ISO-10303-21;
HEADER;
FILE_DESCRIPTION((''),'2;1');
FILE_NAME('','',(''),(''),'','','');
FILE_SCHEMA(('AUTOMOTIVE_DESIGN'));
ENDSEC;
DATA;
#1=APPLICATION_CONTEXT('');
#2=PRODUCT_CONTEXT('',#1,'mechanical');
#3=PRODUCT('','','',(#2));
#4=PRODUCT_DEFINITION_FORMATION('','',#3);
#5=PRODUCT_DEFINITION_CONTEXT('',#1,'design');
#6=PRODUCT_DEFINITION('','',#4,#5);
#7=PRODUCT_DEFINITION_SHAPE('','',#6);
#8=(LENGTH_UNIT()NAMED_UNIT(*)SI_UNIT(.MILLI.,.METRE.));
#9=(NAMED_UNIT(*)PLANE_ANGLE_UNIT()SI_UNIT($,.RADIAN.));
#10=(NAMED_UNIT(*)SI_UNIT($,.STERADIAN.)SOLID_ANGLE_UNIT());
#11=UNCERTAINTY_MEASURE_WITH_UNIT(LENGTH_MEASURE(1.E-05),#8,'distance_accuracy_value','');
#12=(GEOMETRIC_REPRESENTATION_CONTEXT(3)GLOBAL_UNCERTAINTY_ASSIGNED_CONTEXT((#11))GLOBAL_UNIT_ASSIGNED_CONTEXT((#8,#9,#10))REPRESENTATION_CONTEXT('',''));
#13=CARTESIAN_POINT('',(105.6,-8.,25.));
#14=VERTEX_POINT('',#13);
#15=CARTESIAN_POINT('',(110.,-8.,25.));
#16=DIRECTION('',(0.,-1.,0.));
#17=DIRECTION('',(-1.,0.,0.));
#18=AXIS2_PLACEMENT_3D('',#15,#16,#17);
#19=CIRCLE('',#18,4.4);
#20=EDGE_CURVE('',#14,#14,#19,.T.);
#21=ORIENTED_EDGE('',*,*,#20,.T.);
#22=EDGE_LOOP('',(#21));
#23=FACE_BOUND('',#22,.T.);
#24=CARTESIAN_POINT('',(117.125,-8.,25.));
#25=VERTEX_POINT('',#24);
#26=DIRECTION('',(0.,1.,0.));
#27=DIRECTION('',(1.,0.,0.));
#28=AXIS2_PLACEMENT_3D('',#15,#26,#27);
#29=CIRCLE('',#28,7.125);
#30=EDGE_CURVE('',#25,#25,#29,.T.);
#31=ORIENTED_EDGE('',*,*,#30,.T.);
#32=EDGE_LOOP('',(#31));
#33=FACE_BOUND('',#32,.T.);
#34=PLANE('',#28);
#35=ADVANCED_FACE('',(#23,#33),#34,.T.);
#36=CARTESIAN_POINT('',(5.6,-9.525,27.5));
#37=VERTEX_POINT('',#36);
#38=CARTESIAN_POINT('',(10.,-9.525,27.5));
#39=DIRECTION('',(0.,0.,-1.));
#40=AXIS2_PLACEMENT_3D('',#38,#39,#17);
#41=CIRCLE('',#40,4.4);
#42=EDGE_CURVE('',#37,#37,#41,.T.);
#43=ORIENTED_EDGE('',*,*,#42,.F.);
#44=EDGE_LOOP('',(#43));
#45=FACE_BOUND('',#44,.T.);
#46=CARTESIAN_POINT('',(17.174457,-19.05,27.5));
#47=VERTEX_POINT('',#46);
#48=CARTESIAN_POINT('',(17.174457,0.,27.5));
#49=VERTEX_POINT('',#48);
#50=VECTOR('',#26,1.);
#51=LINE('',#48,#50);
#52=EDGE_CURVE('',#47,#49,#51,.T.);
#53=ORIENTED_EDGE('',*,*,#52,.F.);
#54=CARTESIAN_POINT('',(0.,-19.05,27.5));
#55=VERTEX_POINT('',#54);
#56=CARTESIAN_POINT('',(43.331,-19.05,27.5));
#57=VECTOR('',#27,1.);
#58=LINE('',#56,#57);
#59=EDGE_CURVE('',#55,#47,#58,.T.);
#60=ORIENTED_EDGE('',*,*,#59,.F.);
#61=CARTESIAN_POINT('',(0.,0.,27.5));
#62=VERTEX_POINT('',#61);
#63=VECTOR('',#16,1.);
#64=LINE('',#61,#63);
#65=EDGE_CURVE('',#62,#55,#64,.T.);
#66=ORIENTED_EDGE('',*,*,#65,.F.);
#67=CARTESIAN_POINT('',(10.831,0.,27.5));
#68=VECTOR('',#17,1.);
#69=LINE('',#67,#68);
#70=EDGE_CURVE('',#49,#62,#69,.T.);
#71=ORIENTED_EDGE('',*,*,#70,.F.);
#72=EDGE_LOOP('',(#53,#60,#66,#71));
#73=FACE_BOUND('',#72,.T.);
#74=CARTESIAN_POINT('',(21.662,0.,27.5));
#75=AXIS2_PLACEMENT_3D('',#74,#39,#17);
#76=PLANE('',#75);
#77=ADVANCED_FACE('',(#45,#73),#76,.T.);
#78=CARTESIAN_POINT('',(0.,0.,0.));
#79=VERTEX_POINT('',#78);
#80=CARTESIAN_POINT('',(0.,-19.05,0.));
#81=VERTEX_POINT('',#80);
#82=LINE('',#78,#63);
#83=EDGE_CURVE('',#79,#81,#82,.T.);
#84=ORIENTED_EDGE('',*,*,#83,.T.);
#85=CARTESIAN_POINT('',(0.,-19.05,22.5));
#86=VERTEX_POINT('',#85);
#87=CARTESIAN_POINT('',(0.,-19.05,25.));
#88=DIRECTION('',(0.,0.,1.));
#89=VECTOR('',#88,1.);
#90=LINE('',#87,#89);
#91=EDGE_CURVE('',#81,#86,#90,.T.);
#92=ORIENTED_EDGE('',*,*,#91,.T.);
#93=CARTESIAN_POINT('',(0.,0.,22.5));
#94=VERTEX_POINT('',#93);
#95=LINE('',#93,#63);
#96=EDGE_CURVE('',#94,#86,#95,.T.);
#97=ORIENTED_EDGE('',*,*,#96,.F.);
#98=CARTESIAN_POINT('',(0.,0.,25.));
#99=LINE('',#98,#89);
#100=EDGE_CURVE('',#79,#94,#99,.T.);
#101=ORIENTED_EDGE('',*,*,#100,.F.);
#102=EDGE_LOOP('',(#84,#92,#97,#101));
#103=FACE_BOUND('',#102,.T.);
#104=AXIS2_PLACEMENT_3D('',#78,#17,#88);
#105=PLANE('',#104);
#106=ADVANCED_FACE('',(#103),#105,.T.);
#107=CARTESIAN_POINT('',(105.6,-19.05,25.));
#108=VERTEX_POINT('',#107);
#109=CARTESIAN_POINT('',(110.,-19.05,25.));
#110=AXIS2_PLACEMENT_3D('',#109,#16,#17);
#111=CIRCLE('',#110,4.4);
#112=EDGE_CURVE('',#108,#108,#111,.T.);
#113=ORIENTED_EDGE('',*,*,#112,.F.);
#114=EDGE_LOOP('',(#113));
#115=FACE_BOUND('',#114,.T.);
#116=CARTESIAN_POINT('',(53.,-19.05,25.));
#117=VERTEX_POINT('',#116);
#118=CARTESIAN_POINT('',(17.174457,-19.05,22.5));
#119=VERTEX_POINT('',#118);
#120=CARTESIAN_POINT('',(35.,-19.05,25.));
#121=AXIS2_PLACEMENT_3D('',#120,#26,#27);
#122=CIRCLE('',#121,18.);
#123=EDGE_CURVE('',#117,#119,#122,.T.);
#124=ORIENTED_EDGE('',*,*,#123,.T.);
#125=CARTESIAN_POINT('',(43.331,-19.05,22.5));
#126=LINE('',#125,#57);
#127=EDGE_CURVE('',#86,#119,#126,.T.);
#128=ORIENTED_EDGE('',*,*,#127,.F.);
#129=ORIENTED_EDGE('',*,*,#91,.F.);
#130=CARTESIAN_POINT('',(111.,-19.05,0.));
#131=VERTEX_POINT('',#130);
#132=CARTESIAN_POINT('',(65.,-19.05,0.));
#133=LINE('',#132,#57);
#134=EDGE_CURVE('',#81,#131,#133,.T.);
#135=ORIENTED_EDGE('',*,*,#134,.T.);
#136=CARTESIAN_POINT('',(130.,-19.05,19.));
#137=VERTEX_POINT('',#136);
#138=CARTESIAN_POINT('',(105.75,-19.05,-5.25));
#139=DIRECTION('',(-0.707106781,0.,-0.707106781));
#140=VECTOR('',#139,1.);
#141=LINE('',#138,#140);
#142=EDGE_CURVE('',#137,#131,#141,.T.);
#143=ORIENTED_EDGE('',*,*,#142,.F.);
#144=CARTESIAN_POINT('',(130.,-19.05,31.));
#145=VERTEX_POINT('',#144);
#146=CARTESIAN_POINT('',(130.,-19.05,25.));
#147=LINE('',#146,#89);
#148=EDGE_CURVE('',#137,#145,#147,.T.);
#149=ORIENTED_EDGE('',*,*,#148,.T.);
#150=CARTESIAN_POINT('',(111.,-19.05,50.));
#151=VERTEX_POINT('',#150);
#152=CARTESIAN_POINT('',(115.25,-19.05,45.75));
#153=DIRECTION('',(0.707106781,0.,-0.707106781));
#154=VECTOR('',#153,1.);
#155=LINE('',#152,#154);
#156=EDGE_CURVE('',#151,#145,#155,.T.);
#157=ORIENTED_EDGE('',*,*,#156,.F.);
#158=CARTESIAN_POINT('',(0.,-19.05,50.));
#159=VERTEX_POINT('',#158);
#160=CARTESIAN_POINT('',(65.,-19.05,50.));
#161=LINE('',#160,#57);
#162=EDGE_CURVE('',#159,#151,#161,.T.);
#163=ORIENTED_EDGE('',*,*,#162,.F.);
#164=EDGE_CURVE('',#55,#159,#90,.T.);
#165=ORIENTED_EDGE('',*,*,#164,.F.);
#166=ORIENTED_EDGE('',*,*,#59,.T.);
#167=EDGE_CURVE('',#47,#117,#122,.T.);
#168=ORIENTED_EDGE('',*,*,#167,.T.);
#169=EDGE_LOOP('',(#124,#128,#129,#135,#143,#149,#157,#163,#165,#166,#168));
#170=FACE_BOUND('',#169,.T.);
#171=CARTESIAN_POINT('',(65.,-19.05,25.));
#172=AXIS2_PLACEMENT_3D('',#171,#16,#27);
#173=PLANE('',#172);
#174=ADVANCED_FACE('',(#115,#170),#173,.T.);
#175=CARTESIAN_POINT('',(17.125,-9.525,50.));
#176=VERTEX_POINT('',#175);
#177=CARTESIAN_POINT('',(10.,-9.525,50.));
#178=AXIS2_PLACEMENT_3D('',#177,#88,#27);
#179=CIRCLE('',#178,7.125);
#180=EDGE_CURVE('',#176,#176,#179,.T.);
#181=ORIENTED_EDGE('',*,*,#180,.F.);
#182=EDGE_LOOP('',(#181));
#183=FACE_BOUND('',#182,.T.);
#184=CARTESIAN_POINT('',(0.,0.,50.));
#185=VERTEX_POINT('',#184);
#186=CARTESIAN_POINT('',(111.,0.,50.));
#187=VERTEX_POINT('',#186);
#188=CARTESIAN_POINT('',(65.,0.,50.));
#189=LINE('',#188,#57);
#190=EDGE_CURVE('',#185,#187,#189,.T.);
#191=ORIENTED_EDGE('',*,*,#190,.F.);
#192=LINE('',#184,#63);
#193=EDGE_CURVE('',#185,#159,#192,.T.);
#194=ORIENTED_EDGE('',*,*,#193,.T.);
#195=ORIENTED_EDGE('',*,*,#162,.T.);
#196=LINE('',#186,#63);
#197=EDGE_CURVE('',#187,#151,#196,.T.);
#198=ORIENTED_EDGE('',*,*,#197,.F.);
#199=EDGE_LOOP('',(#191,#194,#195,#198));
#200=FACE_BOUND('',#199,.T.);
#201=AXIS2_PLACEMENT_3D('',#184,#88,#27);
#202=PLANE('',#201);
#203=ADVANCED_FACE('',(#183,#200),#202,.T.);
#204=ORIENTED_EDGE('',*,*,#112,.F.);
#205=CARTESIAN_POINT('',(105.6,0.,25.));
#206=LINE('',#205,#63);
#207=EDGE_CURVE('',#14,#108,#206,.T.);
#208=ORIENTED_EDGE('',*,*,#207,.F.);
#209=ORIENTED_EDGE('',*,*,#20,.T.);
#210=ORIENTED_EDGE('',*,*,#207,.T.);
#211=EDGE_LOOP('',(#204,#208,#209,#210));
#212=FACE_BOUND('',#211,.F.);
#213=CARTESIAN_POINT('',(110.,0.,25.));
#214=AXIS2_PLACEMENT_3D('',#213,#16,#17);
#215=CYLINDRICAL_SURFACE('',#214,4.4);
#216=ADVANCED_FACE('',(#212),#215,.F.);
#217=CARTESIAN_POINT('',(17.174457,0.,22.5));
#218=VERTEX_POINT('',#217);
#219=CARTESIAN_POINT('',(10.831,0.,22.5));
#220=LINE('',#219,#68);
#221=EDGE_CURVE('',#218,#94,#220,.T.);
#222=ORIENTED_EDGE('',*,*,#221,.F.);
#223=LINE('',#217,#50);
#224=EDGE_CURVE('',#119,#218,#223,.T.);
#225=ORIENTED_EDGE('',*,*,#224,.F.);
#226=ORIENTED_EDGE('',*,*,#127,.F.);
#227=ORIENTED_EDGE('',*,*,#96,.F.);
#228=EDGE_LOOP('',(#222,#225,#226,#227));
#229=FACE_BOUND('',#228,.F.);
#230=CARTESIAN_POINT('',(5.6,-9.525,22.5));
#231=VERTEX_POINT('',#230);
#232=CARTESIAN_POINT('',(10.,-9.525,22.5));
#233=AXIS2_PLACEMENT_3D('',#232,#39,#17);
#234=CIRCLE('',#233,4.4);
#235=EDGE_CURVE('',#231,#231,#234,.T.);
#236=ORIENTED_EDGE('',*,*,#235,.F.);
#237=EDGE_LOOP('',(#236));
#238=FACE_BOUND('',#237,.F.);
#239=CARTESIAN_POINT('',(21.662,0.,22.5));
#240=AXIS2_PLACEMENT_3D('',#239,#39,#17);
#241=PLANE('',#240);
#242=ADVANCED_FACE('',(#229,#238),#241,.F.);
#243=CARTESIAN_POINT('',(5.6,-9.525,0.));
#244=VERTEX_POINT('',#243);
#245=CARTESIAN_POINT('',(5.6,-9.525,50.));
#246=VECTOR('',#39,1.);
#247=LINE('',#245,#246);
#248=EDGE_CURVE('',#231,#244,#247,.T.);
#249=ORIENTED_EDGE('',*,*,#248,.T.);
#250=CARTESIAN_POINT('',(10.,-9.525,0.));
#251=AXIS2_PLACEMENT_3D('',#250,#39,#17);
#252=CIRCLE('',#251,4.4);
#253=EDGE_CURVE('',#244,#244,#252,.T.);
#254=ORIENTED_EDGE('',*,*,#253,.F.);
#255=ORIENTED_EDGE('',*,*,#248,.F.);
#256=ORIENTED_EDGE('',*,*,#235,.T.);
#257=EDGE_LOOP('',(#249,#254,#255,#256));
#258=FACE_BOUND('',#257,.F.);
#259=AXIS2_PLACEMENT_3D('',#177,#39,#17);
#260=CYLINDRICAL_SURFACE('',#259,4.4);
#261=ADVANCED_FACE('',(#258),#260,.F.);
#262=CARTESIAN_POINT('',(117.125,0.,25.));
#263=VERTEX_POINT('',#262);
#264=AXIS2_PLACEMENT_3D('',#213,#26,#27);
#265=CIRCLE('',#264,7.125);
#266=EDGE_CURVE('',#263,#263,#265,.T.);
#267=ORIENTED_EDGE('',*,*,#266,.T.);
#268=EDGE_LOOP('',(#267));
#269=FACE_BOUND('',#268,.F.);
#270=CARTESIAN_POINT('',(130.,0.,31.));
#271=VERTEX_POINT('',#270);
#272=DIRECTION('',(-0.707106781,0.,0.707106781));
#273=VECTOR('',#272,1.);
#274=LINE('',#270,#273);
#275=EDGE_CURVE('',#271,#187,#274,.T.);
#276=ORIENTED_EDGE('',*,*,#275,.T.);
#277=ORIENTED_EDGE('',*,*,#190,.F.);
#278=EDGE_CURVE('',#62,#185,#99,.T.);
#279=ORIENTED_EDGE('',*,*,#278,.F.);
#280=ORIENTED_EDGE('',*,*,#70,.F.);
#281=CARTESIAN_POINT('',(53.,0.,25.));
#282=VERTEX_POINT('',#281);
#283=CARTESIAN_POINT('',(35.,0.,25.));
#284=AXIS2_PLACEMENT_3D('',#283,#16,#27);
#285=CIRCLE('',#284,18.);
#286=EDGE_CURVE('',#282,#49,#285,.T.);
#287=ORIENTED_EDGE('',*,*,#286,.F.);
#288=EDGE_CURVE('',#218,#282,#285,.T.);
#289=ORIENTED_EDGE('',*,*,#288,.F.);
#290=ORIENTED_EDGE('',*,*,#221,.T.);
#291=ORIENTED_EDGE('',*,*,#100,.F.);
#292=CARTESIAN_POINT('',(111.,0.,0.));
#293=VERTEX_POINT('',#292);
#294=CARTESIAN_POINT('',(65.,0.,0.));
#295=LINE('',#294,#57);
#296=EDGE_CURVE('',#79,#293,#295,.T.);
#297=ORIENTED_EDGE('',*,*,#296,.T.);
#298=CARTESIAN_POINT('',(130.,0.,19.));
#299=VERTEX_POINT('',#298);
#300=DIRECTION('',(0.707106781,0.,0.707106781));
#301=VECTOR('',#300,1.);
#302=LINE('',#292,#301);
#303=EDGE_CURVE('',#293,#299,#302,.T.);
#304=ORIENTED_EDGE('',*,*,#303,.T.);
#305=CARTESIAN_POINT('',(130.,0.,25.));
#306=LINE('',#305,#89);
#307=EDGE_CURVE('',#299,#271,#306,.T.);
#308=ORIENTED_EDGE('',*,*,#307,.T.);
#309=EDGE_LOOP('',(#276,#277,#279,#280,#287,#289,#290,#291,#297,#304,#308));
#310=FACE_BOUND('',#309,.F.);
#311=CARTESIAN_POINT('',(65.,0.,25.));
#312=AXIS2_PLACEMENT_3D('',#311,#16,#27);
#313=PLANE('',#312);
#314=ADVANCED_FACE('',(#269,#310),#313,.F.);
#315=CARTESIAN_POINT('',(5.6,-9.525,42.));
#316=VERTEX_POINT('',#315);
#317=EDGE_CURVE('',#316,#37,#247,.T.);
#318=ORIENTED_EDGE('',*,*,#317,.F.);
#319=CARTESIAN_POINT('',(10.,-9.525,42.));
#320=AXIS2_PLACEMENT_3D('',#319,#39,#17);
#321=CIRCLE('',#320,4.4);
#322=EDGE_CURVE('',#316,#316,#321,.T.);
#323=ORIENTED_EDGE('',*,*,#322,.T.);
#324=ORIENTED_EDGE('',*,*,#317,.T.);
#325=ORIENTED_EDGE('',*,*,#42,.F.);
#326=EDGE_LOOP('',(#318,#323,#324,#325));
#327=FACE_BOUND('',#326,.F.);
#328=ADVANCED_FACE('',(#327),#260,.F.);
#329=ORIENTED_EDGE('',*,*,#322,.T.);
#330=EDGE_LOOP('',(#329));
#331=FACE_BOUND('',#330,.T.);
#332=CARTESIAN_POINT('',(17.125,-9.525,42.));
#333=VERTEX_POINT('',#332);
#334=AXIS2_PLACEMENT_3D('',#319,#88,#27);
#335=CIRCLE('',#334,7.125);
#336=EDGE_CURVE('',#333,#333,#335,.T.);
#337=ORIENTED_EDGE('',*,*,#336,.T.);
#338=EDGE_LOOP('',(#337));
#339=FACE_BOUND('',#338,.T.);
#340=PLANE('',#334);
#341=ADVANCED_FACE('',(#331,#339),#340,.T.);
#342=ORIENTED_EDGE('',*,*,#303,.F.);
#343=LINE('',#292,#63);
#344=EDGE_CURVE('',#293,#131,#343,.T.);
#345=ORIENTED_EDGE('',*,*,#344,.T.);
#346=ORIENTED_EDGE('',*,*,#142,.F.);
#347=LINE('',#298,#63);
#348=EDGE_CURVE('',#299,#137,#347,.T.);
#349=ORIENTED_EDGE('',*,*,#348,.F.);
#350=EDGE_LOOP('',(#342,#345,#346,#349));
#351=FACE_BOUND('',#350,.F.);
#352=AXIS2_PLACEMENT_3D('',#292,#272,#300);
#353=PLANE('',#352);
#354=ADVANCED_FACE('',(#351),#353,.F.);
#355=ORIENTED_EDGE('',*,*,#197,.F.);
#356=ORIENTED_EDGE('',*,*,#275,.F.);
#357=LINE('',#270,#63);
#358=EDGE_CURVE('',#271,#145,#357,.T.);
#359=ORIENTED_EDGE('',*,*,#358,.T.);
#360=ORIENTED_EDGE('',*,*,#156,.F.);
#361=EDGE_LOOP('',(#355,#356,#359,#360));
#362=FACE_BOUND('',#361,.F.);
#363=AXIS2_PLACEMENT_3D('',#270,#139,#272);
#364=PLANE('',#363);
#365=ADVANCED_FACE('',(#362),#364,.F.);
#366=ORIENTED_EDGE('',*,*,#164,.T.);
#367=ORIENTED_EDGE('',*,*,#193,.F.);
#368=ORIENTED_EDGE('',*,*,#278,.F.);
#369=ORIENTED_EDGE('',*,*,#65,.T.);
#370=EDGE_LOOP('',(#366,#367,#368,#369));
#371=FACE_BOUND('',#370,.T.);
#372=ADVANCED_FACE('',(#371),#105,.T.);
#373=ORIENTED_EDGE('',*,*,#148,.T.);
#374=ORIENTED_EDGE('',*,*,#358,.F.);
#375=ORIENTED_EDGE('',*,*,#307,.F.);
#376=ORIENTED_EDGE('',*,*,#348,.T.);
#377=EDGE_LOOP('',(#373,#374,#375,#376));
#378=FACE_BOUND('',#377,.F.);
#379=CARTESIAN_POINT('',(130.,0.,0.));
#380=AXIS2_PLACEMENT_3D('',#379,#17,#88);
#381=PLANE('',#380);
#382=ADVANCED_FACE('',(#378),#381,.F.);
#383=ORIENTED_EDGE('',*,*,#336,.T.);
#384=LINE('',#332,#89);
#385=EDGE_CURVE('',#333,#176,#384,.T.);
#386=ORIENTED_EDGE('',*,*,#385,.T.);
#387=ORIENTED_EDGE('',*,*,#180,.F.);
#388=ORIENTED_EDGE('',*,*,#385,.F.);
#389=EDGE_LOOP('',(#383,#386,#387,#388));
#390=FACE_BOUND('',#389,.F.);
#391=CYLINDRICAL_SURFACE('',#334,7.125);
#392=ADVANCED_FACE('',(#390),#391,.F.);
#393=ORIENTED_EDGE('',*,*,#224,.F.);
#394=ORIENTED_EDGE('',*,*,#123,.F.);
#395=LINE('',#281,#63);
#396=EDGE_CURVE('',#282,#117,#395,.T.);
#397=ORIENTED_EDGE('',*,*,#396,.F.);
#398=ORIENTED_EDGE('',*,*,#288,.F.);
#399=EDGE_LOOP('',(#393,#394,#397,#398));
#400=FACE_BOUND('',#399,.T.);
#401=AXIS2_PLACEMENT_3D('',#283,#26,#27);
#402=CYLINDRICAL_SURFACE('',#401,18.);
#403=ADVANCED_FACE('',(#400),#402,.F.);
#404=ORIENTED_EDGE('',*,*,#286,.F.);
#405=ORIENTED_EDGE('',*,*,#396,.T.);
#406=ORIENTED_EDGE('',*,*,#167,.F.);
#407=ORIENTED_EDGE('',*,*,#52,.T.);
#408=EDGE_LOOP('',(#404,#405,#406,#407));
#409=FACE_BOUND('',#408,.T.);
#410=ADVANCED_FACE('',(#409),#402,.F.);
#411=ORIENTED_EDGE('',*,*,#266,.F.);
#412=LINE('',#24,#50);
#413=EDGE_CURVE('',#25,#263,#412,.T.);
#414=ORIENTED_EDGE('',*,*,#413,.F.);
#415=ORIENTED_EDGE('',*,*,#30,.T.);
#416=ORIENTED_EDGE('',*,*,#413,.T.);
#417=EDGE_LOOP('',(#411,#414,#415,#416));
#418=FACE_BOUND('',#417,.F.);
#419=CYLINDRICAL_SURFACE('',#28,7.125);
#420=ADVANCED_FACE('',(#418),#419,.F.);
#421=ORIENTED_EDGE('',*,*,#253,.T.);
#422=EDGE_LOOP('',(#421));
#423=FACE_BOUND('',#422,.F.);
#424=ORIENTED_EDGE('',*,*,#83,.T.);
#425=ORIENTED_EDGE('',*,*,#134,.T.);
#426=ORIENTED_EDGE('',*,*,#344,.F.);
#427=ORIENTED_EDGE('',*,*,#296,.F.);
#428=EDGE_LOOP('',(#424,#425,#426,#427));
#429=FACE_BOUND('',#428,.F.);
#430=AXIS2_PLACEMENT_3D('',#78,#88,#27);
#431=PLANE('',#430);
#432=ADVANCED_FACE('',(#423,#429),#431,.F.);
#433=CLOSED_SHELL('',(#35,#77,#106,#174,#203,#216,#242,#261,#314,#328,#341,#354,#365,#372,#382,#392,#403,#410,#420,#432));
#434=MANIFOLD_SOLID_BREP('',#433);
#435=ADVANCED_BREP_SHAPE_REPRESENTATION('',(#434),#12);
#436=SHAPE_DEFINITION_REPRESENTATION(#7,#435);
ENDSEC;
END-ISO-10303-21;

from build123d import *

# Parameters (mm, degrees)
F0_W           = 130
F0_H           = 50
F1_DEPTH       = 19.05
F2_R           = 18
F3_DEPTH       = 40
F4_D           = 8.8
F4_CBORE_D     = 14.25
F4_CBORE_DEPTH = 8
F6_D           = 8.8
F6_CBORE_D     = 14.25
F6_CBORE_DEPTH = 8
F7_W           = 21.662
F7_H           = 5
F8_DEPTH       = 40
F10_DEPTH      = 25


with BuildPart() as f1:
    # F0 (on Front) → F1 (new body)
    with BuildSketch(Plane.XZ):
        with Locations((65, 25)):
            Rectangle(F0_W, F0_H)
    extrude(amount=F1_DEPTH)

    # F2 (on Front) → F3 (cut)
    with BuildSketch(Plane.XZ):
        with Locations((35, 25)):
            Circle(F2_R)
    extrude(amount=F3_DEPTH, mode=Mode.SUBTRACT)

    # F4 (through all)
    with Locations(Plane(origin=(0, 0, 0), x_dir=(1, 0, 0), z_dir=(0, 1, 0))):
        with Locations((110, -25)):
            CounterBoreHole(F4_D / 2, F4_CBORE_D / 2, F4_CBORE_DEPTH)

    # F6 (through all)
    with Locations(Plane.XY.offset(50)):
        with Locations((10, -9.525)):
            CounterBoreHole(F6_D / 2, F6_CBORE_D / 2, F6_CBORE_DEPTH)

    # F7 (on face) → F8 (cut)
    with BuildSketch(Plane(origin=(0, 0, 0), x_dir=(-1, 0, 0), z_dir=(0, 1, 0))):
        with Locations((-10.831, 25)):
            Rectangle(F7_W, F7_H)
    extrude(amount=-F8_DEPTH, mode=Mode.SUBTRACT)

    # F9 (on face) → F10 (cut)
    with BuildSketch(Plane(origin=(0, 0, 0), x_dir=(-1, 0, 0), z_dir=(0, 1, 0))):
        Polygon((-130, 19), (-130, 0), (-111, 0), align=None)
        Polygon((-130, 50), (-130, 31), (-111, 50), align=None)
    extrude(amount=-F10_DEPTH, mode=Mode.SUBTRACT)


solid = f1.part
